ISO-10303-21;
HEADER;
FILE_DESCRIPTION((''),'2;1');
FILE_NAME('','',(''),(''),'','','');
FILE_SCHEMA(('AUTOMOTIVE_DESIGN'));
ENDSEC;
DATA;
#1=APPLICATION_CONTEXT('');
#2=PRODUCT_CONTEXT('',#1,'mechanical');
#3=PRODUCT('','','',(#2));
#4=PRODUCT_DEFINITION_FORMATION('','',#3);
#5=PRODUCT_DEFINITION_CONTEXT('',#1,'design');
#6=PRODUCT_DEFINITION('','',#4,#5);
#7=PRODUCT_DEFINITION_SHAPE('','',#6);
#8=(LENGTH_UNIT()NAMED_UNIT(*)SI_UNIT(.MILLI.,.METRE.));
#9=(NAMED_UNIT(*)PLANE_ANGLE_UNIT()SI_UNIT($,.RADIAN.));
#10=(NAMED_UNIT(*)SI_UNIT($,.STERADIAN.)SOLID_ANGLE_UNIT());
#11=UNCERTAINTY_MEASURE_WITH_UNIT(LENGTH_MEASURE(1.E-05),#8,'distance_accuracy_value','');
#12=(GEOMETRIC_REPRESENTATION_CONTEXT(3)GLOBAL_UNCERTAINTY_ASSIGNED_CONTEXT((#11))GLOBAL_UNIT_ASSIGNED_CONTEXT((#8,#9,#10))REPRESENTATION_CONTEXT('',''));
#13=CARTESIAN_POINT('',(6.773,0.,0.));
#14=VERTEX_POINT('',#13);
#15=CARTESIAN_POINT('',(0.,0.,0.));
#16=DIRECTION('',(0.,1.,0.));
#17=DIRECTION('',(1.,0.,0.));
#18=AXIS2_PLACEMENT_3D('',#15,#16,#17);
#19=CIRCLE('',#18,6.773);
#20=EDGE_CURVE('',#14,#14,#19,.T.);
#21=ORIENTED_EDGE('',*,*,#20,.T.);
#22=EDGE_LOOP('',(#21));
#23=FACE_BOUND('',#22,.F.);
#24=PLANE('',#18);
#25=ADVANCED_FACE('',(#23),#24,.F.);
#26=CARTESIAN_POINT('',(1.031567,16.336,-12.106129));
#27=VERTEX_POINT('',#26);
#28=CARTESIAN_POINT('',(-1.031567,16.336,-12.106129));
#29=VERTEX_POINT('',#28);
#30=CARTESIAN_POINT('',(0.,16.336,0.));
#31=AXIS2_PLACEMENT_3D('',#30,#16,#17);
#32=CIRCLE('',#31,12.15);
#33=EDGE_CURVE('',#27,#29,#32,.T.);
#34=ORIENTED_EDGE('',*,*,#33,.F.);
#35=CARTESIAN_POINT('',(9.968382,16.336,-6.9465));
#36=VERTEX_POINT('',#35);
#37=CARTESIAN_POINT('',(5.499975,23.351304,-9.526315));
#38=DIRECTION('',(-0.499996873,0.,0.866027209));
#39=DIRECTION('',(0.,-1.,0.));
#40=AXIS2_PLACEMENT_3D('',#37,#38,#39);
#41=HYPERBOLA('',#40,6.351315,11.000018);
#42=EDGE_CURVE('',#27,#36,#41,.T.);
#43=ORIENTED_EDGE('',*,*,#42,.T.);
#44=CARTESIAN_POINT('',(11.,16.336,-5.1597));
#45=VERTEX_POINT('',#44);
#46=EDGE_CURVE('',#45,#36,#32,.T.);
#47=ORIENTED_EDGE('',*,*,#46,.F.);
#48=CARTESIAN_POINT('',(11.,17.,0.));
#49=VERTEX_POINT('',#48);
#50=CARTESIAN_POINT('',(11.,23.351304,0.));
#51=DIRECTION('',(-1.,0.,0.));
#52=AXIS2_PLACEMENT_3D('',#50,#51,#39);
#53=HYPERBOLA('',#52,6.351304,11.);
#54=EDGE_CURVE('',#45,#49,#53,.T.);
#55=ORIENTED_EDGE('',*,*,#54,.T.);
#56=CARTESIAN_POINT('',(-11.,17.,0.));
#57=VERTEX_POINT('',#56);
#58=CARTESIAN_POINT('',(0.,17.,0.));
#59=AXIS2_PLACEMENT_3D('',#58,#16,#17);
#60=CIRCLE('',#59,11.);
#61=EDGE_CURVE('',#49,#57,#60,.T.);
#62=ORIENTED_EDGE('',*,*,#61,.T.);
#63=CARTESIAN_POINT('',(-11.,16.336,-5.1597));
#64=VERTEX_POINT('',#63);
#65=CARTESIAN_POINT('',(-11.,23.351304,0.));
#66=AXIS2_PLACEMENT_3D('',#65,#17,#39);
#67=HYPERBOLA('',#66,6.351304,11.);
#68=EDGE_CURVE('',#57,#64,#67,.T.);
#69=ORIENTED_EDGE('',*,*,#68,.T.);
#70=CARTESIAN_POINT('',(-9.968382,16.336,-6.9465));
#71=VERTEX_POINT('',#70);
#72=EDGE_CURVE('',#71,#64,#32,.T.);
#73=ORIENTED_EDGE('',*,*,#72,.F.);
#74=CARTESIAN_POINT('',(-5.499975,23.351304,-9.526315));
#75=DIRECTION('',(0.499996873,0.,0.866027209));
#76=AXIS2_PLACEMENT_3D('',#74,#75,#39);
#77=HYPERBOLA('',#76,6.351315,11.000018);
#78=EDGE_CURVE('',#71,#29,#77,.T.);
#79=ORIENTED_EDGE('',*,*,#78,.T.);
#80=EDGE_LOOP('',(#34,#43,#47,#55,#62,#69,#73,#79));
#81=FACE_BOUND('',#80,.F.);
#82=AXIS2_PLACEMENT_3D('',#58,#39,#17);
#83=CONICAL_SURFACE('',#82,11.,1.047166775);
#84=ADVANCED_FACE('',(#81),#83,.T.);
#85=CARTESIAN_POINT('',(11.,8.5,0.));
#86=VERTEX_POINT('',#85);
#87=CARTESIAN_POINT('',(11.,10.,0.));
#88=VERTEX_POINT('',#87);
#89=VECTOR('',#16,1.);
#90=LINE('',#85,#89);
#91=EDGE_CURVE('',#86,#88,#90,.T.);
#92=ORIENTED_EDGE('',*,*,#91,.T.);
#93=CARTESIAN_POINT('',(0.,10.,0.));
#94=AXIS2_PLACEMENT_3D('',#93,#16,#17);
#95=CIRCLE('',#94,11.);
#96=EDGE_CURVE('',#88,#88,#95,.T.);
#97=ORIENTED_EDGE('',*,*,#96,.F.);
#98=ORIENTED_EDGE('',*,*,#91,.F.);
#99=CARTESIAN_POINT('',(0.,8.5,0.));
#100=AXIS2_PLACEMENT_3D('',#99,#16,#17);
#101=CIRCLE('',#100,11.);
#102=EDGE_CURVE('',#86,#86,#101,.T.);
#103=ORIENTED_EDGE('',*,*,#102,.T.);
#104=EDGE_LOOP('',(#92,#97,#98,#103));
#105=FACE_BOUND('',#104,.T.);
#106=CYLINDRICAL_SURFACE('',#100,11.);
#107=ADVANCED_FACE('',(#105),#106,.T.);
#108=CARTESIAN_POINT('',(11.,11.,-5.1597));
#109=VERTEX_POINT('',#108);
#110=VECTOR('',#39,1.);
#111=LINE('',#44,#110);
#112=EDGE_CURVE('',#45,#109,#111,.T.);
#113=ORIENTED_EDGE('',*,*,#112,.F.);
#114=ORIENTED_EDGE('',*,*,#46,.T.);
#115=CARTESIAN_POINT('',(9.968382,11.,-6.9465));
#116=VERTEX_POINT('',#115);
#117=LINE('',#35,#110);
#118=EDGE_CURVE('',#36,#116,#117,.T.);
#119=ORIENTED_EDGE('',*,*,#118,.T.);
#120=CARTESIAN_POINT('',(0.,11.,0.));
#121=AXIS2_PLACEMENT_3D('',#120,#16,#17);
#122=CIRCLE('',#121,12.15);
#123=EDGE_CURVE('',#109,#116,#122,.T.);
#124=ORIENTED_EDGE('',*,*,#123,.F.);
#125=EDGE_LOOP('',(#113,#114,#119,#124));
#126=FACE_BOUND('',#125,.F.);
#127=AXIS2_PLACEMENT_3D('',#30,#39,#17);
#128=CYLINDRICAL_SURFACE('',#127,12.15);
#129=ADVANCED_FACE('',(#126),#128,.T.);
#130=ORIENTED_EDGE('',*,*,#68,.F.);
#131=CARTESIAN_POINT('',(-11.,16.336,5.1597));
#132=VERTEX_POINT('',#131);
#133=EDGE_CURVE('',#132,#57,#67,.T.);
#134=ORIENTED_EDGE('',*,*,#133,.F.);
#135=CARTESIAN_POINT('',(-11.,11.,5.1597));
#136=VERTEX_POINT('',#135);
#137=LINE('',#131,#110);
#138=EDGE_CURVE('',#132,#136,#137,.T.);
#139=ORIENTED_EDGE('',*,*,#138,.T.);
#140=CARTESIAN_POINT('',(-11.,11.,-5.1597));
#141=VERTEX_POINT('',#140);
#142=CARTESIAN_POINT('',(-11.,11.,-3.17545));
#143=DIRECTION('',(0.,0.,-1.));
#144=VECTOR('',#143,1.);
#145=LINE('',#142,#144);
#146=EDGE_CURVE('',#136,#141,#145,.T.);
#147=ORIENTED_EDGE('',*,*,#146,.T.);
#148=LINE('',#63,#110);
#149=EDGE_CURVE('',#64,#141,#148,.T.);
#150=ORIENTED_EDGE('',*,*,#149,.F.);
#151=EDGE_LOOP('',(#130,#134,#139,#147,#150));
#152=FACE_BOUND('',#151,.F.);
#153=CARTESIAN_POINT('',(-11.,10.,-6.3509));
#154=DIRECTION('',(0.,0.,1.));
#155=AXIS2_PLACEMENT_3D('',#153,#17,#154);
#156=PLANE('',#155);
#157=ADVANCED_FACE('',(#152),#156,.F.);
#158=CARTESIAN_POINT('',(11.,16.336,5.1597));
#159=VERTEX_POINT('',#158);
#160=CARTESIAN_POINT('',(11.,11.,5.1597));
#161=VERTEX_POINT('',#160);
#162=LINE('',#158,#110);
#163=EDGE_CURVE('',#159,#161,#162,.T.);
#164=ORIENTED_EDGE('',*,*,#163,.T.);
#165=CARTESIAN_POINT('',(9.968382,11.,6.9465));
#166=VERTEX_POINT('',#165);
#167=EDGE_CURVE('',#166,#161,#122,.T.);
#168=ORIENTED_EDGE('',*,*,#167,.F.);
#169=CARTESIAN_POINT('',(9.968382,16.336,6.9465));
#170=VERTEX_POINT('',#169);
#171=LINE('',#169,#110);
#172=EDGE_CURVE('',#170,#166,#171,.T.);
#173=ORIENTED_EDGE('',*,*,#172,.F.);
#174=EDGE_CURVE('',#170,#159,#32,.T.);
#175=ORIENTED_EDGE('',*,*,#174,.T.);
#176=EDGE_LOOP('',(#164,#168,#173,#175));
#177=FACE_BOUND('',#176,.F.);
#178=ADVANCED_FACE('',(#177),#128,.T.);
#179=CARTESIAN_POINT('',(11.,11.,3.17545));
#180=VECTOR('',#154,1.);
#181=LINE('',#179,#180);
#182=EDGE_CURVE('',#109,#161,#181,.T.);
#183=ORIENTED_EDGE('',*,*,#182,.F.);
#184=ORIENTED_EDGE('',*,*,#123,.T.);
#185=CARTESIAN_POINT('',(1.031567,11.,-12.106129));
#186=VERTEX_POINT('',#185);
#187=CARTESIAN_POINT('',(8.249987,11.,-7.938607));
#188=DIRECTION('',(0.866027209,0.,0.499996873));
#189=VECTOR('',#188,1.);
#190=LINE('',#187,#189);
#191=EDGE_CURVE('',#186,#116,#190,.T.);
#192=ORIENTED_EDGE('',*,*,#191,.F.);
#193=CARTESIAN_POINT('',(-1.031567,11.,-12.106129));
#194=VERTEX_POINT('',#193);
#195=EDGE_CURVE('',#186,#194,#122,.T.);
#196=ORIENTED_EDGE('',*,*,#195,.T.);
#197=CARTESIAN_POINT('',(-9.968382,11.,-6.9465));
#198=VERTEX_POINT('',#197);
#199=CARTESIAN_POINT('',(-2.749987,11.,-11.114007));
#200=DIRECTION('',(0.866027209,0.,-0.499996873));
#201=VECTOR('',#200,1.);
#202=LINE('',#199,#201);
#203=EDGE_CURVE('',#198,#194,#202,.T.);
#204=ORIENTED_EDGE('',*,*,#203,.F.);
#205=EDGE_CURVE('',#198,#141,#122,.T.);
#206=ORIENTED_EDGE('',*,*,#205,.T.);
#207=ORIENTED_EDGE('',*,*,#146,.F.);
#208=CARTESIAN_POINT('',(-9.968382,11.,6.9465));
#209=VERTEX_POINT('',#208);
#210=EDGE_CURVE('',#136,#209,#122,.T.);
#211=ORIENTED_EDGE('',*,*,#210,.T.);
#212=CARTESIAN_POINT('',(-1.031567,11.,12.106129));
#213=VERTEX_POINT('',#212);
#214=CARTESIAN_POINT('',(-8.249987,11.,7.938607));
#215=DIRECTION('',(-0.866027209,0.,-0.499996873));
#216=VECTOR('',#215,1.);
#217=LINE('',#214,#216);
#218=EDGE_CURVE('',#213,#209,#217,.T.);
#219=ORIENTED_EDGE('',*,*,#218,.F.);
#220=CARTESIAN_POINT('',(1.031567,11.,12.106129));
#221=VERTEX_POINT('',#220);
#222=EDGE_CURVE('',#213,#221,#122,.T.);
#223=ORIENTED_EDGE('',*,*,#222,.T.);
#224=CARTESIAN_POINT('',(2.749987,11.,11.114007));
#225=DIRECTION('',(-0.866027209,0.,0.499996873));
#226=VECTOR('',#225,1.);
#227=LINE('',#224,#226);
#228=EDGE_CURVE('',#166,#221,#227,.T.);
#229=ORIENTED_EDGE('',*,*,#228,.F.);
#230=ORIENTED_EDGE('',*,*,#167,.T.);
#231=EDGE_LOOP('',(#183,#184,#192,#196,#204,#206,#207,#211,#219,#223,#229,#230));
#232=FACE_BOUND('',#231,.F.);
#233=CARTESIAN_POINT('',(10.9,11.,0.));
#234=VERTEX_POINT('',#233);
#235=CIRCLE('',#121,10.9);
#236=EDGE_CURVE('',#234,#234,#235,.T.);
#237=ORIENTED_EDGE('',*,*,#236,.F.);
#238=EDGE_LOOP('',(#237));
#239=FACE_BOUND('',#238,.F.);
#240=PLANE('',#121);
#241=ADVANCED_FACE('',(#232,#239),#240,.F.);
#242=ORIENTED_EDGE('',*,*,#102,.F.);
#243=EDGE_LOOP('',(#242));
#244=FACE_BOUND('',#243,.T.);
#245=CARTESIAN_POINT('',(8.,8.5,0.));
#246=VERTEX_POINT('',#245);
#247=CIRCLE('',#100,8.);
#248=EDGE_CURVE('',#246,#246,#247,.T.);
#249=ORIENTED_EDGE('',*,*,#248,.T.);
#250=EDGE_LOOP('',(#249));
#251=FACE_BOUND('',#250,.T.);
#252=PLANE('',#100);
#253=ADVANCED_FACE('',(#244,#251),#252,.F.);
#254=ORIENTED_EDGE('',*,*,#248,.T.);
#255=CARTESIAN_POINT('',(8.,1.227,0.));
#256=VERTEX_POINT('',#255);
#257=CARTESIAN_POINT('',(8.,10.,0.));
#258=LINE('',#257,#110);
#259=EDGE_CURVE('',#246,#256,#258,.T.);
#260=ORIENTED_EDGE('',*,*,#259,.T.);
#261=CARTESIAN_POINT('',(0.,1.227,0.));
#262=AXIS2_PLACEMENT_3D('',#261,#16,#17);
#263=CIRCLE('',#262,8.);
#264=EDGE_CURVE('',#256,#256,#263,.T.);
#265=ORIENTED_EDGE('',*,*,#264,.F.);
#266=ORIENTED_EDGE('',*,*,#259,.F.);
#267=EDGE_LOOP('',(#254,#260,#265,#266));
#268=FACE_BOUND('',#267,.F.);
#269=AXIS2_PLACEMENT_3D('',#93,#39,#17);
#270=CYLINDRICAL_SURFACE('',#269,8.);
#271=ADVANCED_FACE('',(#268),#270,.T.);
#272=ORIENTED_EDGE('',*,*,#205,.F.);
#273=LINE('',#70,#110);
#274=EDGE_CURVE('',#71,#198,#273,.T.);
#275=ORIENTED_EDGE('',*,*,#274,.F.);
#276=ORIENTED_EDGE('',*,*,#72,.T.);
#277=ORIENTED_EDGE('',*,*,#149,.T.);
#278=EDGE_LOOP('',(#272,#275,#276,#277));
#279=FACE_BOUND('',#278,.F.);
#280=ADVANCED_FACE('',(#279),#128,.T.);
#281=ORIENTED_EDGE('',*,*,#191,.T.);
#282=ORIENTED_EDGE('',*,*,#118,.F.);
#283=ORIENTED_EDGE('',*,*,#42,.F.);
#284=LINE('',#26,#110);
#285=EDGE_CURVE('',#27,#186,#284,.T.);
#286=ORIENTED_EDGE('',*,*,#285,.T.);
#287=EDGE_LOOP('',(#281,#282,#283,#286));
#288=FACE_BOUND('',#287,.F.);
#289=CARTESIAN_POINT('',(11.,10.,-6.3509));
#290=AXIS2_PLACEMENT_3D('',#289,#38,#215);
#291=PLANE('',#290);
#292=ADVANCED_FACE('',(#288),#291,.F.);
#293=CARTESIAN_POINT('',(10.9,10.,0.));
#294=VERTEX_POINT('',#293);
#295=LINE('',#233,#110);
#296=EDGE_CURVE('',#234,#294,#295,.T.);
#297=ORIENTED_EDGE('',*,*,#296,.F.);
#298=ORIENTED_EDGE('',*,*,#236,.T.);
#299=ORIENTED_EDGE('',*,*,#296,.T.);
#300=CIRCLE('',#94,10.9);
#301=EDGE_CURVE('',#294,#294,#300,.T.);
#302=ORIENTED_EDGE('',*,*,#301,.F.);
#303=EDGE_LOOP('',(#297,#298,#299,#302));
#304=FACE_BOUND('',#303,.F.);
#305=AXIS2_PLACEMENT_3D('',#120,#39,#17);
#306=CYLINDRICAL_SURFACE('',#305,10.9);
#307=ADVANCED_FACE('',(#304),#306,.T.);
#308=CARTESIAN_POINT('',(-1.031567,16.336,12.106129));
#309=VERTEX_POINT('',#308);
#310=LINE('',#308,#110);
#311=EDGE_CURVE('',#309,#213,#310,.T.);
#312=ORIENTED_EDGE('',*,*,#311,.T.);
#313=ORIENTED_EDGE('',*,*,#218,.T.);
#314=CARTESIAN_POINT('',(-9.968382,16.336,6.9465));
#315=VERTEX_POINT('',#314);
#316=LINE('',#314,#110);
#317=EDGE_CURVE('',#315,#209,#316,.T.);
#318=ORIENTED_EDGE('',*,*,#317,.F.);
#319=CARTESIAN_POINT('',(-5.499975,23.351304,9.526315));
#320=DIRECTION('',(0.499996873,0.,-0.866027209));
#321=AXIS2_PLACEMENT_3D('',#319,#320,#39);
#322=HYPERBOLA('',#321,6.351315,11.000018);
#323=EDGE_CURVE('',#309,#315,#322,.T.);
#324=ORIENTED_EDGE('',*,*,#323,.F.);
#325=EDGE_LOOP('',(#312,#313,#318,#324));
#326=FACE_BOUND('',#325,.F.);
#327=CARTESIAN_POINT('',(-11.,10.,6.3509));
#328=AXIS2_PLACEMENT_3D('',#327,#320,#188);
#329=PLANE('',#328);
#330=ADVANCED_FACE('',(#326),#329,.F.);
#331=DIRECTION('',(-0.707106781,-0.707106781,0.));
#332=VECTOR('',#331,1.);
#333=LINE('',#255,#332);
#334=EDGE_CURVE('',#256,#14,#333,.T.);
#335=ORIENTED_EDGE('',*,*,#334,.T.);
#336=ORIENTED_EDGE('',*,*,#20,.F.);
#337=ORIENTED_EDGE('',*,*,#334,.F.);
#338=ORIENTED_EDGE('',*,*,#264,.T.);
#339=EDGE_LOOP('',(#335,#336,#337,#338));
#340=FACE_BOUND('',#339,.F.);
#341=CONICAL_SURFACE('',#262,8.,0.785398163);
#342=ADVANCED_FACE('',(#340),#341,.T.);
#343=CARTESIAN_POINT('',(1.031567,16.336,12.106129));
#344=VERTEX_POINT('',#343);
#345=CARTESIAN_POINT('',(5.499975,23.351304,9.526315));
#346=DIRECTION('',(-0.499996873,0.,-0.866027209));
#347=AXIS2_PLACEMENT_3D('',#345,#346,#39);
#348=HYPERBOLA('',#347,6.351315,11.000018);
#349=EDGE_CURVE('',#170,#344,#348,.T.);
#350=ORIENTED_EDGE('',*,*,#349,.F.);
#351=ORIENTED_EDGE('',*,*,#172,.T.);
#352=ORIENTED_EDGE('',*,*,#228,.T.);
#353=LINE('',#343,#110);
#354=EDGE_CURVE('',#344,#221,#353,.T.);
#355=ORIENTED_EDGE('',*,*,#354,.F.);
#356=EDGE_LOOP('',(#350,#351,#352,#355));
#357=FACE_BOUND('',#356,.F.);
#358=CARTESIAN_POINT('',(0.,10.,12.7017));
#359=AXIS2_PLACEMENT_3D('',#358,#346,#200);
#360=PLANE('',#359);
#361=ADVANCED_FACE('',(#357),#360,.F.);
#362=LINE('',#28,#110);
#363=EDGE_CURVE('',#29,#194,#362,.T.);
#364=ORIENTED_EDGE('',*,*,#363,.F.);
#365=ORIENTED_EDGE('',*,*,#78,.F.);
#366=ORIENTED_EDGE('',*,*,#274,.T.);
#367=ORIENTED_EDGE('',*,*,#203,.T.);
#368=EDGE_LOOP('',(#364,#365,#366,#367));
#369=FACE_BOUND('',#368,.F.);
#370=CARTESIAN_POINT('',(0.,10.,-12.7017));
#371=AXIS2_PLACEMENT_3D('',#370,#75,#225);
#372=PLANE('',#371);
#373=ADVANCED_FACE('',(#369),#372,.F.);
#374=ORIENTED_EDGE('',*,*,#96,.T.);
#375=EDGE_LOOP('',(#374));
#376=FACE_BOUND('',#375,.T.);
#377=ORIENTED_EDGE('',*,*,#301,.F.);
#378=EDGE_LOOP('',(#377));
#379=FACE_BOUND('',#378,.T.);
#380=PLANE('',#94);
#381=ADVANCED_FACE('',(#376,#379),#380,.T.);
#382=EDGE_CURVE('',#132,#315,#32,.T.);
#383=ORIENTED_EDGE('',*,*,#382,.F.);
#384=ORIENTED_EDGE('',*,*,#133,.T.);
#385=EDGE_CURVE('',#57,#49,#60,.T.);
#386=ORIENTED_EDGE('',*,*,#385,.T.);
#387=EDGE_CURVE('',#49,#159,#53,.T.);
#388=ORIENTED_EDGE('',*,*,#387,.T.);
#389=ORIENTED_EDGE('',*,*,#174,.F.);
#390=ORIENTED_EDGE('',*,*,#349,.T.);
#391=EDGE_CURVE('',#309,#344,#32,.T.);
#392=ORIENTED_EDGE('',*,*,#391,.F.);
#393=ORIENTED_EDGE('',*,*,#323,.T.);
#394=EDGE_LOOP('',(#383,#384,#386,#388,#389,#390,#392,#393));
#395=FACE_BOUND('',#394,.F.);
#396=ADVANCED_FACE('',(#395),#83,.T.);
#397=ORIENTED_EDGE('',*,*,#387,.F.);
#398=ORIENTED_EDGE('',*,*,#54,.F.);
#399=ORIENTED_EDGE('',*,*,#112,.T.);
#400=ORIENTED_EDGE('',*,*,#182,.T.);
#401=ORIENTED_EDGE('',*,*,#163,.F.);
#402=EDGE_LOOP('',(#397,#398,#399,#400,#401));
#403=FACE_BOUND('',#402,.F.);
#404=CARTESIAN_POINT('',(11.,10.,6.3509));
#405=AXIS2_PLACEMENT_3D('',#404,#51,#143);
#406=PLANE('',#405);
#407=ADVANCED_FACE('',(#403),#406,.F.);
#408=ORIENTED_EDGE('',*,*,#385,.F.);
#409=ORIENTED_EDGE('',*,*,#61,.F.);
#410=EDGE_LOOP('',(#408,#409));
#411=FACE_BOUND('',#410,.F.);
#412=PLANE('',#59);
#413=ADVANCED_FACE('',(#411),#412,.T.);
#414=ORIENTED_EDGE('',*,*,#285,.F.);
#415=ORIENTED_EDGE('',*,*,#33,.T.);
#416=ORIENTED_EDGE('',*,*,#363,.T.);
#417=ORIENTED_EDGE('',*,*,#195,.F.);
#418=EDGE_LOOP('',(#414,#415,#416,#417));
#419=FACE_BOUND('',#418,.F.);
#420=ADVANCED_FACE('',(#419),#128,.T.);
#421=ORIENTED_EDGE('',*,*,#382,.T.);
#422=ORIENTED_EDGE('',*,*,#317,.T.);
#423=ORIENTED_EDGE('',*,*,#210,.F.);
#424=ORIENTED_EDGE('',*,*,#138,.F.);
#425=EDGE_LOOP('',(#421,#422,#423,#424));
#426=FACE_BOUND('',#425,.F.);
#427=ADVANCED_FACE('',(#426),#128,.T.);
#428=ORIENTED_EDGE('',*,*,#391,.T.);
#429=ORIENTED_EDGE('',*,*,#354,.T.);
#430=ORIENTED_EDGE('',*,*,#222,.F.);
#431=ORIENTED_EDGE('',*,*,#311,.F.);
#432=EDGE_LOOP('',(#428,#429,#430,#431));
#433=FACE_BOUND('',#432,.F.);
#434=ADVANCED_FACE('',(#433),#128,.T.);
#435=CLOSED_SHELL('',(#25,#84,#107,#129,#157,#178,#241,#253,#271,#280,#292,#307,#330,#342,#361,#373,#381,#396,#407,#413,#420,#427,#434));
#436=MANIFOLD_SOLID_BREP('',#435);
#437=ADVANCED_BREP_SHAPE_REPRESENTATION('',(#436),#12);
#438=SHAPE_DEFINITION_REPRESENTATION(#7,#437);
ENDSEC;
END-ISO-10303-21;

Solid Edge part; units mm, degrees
sketch "Sketch1" plane through (0, 0, 0) normal (0, 0, 1) x (1, 0, 0)
  line L0 (0, 17) -> (11, 17)
  line L1 (11, 17) -> (12.15, 16.336)
  line L2 (12.15, 16.336) -> (12.15, 11)
  line L3 (12.15, 11) -> (10.9, 11)
  line L4 (10.9, 11) -> (10.9, 10)
  line L5 (10.9, 10) -> (8, 10)
  line L6 (8, 10) -> (8, 1.227)
  line L7 (8, 1.227) -> (6.773, 0)
  line L8 (6.773, 0) -> (0, 0)
  line L9 (0, 0) -> (0, 17)
revolve "RevolvedProtrusion1" add sketch "Sketch1" angle 360 about axis through (0, 0, 0) along (0, 1, 0)
cosmetic_thread "Thread1" size "M16"
sketch "Sketch2" plane through (0, 10, 0) normal (0, -1, 0) x (1, 0, 0)
  circle A0 centre (0, 0) radius 27
  line L0 (-11, 6.3509) -> (0, 12.7017)
  line L1 (0, 12.7017) -> (11, 6.3509)
  line L2 (11, 6.3509) -> (11, -6.3509)
  line L3 (11, -6.3509) -> (0, -12.7017)
  line L4 (0, -12.7017) -> (-11, -6.3509)
  line L5 (-11, -6.3509) -> (-11, 6.3509)
extrude "ExtrudedCutout_1" cut sketch "Sketch2" against normal blind 7
sketch "Sketch3" plane through (0, 0, 0) normal (0, 0, 1) x (1, 0, 0)
  line L0 (8, 8.5) -> (11, 8.5)
  line L1 (11, 8.5) -> (11, 10)
  line L2 (11, 10) -> (8, 10)
  line L3 (8, 10) -> (8, 8.5)
revolve "RevolvedProtrusion2" add sketch "Sketch3" angle 360 about axis through (0, 8.5, 0) along (0, 1, 0)
properties part number "28027-221615"
